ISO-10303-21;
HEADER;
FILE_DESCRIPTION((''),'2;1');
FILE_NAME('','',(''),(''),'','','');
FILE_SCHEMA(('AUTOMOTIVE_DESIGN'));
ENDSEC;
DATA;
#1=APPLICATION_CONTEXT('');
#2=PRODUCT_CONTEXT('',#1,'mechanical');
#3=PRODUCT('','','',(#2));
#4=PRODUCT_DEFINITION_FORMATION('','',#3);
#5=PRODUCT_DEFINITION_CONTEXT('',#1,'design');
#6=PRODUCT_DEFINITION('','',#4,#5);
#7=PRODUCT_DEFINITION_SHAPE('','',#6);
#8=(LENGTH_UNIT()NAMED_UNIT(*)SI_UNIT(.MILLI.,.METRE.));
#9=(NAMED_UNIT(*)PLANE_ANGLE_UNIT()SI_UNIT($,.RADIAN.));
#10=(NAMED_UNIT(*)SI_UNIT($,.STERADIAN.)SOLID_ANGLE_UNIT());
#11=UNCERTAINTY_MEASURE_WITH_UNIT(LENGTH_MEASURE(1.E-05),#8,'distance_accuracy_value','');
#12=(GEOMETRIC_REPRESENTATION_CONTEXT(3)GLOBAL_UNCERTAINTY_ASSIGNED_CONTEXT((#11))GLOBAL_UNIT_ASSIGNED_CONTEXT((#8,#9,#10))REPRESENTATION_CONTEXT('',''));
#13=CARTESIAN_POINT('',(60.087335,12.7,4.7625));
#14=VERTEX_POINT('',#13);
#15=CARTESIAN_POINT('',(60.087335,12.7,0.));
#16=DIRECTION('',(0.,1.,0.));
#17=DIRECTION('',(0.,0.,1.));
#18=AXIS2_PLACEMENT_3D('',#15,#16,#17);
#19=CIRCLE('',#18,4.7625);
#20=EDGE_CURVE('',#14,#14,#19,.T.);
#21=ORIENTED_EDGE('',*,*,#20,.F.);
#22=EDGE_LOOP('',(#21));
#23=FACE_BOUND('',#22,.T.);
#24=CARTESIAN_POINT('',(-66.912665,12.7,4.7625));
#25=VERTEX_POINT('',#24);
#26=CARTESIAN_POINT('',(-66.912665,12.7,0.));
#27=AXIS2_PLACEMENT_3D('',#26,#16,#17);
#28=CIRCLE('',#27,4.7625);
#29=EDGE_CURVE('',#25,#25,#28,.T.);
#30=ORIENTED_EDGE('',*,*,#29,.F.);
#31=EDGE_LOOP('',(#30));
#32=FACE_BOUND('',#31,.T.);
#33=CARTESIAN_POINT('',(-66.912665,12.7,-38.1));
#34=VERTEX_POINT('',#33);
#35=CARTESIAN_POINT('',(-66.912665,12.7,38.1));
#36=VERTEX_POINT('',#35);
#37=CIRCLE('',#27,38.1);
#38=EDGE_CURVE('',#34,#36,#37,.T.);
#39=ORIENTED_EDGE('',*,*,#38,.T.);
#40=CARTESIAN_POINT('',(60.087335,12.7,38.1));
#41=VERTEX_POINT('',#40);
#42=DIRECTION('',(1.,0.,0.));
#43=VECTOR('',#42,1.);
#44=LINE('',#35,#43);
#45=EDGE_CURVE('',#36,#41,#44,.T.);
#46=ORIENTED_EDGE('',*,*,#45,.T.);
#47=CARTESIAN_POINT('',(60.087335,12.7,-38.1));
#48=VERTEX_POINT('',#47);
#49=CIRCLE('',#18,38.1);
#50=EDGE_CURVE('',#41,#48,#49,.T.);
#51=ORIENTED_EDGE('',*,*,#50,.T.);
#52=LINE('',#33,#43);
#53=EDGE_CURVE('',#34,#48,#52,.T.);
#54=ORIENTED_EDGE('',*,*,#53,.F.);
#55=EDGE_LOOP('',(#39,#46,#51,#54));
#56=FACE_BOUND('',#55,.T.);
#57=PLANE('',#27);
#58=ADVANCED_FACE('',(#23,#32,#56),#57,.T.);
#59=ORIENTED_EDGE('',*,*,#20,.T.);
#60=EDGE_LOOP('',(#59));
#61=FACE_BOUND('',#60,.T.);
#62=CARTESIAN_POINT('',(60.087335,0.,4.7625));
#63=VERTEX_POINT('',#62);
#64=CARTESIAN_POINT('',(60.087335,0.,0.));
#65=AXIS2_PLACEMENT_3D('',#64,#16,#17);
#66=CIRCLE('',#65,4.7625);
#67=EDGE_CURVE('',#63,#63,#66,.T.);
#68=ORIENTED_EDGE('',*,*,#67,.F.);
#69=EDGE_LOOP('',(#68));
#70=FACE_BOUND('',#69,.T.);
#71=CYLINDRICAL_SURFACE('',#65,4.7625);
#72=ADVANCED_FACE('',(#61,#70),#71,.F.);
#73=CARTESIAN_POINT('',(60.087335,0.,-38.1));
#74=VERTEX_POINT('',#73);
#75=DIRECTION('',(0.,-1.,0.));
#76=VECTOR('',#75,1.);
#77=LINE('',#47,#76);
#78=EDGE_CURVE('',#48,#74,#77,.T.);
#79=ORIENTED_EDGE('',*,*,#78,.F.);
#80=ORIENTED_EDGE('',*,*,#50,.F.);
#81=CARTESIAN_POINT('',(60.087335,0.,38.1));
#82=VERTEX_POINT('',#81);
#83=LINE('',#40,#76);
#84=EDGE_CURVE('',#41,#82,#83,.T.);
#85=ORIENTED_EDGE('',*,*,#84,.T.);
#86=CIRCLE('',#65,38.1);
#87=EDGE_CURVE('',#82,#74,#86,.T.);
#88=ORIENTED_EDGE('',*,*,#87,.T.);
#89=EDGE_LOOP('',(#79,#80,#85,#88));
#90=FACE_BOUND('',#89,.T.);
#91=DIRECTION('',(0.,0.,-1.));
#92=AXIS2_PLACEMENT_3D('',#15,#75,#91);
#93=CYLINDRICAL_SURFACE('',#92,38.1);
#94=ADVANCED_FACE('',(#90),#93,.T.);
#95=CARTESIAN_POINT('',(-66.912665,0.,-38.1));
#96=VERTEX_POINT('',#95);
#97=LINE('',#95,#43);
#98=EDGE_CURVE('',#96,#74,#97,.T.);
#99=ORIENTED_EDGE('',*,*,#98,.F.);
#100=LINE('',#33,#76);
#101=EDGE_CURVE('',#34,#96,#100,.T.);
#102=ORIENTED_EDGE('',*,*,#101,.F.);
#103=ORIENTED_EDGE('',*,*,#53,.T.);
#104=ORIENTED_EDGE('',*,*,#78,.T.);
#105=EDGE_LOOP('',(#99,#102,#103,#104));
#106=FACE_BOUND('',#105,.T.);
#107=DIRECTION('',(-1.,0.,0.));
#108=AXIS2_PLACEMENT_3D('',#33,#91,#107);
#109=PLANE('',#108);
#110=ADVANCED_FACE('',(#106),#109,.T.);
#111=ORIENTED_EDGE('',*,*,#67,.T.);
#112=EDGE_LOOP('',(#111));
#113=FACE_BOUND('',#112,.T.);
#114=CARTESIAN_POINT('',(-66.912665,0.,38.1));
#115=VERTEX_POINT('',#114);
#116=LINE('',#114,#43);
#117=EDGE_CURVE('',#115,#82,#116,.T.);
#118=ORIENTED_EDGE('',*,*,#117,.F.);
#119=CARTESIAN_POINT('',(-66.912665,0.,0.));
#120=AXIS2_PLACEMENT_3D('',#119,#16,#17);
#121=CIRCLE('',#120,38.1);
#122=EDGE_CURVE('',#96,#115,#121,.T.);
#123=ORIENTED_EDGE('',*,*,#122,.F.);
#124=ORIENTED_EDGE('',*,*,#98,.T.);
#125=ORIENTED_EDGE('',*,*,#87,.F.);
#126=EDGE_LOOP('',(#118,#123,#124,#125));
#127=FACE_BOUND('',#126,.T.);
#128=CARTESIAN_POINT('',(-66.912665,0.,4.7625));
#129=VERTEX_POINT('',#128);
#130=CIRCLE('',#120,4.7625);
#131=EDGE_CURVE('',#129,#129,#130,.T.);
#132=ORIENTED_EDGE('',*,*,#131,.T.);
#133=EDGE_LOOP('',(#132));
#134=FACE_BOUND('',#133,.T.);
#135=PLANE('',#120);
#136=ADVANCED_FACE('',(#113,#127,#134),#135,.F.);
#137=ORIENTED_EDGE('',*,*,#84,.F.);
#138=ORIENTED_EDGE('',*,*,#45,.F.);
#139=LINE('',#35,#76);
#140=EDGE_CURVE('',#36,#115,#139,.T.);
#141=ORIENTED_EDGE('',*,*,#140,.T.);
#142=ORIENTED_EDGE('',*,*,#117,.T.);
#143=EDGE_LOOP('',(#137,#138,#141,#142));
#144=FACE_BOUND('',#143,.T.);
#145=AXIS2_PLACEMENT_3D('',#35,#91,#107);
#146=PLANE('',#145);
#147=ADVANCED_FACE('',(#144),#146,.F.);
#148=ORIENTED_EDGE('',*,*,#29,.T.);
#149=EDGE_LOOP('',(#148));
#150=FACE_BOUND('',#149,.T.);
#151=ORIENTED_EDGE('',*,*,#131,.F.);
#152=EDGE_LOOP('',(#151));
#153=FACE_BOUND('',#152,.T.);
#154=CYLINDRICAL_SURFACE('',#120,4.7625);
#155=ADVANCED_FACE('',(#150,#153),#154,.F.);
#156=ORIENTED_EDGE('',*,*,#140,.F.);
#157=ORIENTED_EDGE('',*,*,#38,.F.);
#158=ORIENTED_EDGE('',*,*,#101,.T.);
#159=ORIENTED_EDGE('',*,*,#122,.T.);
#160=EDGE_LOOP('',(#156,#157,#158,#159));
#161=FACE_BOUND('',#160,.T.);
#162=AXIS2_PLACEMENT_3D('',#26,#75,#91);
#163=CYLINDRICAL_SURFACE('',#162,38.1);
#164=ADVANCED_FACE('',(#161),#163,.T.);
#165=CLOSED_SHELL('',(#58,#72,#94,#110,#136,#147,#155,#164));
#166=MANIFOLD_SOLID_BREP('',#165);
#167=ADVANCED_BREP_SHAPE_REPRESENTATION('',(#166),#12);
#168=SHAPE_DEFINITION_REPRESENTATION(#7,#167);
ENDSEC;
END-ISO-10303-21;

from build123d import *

# Parameters (mm, degrees)
SKETCH1_R           = 38.1
SKETCH1_W           = 127
SKETCH1_H           = 76.2
BOSS_EXTRUDE1_DEPTH = 12.7
SKETCH2_R           = 4.7625
CUT_EXTRUDE2_DEPTH  = 113.430244289


with BuildPart() as part:
    # Sketch1 → Boss-Extrude1 (new body)
    with BuildSketch(Plane(origin=(0, 0, 0), x_dir=(1, 0, 0), z_dir=(0, 1, 0))):
        with Locations((-66.912665097, 0)):
            Circle(SKETCH1_R)
        with Locations((60.087334903, 0)):
            Circle(SKETCH1_R)
        with Locations((-3.412665097, 0)):
            Rectangle(SKETCH1_W, SKETCH1_H)
    extrude(amount=BOSS_EXTRUDE1_DEPTH)

    # Sketch2 → Cut-Extrude2 (cut, through all)
    with BuildSketch(Plane(origin=(0, 12.7, 0), x_dir=(1, 0, 0), z_dir=(0, 1, 0))):
        with Locations(Location((-66.912665097, 0, 0), (0, 0, 270))):
            Circle(SKETCH2_R)
        with Locations(Location((60.087334903, 0, 0), (0, 0, 270))):
            Circle(SKETCH2_R)
    extrude(amount=-CUT_EXTRUDE2_DEPTH, mode=Mode.SUBTRACT)


solid = part.part
